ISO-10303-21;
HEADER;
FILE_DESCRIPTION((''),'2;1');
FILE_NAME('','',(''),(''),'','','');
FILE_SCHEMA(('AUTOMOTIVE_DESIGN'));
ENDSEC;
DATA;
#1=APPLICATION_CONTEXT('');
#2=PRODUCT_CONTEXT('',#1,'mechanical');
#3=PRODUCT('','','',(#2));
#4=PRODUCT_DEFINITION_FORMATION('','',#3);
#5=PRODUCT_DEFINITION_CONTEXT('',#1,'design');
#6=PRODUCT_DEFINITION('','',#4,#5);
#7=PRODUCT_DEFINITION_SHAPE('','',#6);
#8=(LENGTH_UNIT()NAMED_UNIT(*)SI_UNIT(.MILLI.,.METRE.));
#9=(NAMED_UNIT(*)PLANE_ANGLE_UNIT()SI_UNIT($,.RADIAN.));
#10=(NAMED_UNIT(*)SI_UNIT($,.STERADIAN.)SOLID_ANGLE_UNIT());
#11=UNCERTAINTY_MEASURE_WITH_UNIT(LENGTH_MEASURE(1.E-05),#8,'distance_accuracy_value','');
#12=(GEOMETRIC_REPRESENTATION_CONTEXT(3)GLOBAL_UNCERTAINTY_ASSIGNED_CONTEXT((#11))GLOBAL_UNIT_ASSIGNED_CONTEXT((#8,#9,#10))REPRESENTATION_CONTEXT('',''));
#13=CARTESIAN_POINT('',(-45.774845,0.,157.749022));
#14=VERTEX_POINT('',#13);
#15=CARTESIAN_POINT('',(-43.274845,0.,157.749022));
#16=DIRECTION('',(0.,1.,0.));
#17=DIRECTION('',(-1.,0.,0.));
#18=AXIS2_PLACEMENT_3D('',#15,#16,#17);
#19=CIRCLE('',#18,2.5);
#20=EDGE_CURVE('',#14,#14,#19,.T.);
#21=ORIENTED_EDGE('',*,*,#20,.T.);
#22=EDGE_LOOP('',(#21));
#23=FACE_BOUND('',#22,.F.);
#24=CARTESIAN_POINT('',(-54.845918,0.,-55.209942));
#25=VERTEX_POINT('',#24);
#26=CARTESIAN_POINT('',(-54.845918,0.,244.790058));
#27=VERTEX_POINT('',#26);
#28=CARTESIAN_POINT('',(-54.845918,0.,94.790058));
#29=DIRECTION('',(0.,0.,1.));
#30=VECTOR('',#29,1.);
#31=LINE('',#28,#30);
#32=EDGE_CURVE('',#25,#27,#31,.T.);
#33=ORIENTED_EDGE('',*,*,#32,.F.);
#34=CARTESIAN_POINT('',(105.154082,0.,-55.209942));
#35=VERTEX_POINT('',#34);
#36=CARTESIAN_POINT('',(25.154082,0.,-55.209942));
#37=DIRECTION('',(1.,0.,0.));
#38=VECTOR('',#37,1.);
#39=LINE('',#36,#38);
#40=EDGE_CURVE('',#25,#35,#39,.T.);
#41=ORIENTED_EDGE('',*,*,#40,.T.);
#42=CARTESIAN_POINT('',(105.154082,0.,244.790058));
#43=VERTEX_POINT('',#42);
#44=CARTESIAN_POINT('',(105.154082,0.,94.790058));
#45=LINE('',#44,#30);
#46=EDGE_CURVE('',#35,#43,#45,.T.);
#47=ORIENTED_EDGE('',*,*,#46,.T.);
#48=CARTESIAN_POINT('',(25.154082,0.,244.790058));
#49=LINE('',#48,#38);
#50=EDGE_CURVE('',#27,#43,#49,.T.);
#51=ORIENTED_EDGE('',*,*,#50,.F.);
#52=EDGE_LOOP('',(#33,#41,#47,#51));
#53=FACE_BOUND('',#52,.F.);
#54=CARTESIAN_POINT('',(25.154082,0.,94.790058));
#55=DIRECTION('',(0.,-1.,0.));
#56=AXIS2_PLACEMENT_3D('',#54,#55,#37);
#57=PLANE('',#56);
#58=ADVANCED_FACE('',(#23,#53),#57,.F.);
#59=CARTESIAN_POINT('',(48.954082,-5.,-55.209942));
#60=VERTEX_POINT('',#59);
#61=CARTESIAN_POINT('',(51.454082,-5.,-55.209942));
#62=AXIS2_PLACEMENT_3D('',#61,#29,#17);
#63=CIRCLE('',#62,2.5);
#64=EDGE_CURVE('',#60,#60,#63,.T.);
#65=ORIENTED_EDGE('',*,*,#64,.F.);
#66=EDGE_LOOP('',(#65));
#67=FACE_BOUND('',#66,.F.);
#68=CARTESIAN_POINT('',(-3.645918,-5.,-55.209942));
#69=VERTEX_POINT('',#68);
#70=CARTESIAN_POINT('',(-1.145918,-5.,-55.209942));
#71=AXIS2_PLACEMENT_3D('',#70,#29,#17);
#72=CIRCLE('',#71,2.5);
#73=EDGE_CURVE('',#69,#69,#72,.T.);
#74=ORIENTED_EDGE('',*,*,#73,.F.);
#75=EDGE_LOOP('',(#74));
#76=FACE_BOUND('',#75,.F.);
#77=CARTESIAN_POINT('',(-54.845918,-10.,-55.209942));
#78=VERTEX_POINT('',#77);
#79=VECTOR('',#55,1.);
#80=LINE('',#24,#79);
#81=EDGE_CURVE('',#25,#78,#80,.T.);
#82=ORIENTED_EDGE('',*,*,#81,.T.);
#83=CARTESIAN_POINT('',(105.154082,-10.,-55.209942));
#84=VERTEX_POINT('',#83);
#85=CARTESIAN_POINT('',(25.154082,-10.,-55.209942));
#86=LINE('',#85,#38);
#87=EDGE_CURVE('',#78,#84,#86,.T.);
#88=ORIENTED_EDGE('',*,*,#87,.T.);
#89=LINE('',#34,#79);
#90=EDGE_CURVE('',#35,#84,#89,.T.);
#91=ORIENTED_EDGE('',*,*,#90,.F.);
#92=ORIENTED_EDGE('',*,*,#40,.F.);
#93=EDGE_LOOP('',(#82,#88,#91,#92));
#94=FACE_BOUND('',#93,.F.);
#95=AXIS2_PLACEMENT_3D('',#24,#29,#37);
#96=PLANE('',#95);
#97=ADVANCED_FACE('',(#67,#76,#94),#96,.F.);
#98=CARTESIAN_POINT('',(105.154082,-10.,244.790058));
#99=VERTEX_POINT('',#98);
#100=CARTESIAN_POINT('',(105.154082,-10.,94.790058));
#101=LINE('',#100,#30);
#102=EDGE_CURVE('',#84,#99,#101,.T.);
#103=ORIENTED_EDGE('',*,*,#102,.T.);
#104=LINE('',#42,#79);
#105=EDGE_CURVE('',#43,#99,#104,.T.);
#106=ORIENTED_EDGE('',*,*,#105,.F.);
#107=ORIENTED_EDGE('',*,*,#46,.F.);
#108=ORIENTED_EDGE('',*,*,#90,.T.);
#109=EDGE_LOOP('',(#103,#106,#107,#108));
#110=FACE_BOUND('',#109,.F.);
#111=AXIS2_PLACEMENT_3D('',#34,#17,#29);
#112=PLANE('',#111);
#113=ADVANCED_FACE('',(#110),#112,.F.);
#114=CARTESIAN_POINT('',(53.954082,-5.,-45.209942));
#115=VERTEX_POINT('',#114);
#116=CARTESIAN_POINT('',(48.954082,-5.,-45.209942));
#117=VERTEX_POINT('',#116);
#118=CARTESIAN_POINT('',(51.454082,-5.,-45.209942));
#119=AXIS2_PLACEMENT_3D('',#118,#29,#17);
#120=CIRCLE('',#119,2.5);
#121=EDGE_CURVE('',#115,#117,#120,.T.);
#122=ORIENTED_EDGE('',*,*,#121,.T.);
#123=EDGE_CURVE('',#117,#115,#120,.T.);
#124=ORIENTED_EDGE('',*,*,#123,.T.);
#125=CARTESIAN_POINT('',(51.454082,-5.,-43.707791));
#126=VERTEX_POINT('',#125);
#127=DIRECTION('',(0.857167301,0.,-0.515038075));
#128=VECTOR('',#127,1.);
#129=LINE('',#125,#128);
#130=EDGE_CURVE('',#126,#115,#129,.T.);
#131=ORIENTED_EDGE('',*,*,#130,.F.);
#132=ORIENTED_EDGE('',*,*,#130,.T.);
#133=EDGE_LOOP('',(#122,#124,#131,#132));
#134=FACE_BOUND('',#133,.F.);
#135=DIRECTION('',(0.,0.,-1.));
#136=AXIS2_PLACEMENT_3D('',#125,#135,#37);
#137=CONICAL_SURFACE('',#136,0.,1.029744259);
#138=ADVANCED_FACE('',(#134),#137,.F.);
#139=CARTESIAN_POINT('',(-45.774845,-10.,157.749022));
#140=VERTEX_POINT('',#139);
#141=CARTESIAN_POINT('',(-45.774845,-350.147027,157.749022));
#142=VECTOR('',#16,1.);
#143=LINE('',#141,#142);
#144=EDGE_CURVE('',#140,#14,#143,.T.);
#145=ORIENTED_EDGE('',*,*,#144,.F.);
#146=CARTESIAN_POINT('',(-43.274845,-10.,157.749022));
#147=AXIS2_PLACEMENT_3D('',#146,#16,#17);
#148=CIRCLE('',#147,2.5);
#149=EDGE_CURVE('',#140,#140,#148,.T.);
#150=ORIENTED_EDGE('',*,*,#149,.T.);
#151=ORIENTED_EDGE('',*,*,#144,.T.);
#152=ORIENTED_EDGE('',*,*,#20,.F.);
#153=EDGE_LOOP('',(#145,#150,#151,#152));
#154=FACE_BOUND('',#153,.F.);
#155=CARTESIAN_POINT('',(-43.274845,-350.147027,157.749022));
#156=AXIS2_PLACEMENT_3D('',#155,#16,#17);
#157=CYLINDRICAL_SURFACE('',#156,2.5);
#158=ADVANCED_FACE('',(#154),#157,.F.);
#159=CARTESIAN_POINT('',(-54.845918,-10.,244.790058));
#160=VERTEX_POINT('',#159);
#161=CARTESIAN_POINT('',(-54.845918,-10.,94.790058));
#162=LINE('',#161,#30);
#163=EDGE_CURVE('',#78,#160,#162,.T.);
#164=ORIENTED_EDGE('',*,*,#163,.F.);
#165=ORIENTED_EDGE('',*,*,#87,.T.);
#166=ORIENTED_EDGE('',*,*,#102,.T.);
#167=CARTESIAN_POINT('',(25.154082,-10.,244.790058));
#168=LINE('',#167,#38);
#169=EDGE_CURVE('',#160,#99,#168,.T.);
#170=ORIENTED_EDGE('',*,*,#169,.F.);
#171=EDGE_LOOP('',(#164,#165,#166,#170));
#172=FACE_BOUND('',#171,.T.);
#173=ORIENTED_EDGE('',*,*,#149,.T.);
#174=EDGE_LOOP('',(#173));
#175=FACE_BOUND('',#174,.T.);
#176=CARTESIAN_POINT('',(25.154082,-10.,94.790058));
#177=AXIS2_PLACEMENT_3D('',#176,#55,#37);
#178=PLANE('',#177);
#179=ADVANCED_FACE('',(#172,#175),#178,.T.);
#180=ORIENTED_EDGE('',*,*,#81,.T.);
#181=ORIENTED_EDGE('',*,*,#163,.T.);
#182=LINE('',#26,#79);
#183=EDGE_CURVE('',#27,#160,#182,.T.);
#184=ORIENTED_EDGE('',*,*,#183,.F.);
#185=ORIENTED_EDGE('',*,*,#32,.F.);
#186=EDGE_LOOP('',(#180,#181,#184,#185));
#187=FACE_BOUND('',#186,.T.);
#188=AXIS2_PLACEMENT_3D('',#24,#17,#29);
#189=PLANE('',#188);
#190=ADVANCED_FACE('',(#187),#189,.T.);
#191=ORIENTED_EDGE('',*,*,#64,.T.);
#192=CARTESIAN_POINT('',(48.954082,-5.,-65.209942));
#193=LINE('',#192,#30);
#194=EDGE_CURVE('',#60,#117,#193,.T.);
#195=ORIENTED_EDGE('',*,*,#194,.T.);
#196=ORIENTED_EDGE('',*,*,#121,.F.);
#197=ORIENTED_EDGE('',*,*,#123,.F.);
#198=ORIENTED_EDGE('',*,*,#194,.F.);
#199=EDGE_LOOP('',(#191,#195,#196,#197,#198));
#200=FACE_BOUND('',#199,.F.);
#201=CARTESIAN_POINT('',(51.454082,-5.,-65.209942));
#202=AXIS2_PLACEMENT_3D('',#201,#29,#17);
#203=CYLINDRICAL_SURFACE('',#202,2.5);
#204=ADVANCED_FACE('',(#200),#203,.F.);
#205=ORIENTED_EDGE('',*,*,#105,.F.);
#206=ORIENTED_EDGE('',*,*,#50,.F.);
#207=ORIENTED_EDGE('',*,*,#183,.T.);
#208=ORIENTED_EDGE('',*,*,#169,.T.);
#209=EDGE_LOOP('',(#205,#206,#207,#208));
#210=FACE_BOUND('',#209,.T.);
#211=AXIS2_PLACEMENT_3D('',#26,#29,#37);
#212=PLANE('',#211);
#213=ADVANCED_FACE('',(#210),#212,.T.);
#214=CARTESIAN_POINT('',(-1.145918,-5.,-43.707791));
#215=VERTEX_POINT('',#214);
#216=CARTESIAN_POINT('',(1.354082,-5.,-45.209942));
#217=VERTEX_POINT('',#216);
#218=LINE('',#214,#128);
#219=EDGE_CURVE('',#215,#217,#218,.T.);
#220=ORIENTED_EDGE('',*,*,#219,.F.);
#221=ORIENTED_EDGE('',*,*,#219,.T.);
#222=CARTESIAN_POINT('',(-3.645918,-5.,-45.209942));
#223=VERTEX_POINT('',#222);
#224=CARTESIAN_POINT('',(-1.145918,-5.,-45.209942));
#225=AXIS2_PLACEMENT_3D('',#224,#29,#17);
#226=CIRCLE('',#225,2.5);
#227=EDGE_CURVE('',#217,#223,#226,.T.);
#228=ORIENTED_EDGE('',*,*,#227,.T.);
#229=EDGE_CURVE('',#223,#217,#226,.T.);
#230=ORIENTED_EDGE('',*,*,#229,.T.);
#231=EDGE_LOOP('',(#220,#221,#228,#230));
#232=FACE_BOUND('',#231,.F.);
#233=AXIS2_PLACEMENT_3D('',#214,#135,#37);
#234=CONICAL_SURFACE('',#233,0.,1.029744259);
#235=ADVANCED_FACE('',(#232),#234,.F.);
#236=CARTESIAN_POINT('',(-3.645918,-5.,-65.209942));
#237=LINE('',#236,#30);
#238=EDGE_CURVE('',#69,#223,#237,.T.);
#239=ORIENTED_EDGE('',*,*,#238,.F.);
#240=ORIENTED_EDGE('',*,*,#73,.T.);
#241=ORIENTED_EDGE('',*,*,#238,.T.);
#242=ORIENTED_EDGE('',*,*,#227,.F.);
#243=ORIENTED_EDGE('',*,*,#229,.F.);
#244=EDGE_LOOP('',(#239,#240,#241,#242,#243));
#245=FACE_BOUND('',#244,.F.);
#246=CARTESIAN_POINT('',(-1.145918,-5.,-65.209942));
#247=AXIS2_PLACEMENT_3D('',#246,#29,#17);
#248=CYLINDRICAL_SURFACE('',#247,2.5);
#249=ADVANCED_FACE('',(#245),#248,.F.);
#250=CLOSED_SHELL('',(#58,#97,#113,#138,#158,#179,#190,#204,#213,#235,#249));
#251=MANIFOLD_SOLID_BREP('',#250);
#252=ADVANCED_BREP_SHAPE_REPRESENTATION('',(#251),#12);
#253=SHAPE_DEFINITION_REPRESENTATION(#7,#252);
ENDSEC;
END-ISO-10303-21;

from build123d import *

# Parameters (mm, degrees)
F0_W     = 160
F0_H     = 300
F1_DEPTH = 10
F3_D     = 5
F3_DEPTH = 10
F3_TIP   = 1.5021515476
F5_D     = 5


with BuildPart() as f1:
    # F0 (on Front) → F1 (new body)
    with BuildSketch(Plane.XZ):
        with Locations((25.1540820301, 94.790057838)):
            Rectangle(F0_W, F0_H)
    extrude(amount=F1_DEPTH)

    # F3
    with Locations(Plane(origin=(0, 0, -55.209942162), x_dir=(1, 0, 0), z_dir=(0, 0, -1))):
        with Locations((-1.1459179699, 5), (51.4540820301, 5)):
            Hole(F3_D / 2, depth=F3_DEPTH)
            with Locations((0, 0, -(F3_DEPTH + F3_TIP / 2))):  # 118° drill point
                Cone(0, F3_D / 2, F3_TIP, mode=Mode.SUBTRACT)

    # F5 (through all)
    with Locations(Plane.XZ.offset(10)):
        with Locations((-43.2748445049, 157.7490222116)):
            Hole(F5_D / 2)


solid = f1.part
